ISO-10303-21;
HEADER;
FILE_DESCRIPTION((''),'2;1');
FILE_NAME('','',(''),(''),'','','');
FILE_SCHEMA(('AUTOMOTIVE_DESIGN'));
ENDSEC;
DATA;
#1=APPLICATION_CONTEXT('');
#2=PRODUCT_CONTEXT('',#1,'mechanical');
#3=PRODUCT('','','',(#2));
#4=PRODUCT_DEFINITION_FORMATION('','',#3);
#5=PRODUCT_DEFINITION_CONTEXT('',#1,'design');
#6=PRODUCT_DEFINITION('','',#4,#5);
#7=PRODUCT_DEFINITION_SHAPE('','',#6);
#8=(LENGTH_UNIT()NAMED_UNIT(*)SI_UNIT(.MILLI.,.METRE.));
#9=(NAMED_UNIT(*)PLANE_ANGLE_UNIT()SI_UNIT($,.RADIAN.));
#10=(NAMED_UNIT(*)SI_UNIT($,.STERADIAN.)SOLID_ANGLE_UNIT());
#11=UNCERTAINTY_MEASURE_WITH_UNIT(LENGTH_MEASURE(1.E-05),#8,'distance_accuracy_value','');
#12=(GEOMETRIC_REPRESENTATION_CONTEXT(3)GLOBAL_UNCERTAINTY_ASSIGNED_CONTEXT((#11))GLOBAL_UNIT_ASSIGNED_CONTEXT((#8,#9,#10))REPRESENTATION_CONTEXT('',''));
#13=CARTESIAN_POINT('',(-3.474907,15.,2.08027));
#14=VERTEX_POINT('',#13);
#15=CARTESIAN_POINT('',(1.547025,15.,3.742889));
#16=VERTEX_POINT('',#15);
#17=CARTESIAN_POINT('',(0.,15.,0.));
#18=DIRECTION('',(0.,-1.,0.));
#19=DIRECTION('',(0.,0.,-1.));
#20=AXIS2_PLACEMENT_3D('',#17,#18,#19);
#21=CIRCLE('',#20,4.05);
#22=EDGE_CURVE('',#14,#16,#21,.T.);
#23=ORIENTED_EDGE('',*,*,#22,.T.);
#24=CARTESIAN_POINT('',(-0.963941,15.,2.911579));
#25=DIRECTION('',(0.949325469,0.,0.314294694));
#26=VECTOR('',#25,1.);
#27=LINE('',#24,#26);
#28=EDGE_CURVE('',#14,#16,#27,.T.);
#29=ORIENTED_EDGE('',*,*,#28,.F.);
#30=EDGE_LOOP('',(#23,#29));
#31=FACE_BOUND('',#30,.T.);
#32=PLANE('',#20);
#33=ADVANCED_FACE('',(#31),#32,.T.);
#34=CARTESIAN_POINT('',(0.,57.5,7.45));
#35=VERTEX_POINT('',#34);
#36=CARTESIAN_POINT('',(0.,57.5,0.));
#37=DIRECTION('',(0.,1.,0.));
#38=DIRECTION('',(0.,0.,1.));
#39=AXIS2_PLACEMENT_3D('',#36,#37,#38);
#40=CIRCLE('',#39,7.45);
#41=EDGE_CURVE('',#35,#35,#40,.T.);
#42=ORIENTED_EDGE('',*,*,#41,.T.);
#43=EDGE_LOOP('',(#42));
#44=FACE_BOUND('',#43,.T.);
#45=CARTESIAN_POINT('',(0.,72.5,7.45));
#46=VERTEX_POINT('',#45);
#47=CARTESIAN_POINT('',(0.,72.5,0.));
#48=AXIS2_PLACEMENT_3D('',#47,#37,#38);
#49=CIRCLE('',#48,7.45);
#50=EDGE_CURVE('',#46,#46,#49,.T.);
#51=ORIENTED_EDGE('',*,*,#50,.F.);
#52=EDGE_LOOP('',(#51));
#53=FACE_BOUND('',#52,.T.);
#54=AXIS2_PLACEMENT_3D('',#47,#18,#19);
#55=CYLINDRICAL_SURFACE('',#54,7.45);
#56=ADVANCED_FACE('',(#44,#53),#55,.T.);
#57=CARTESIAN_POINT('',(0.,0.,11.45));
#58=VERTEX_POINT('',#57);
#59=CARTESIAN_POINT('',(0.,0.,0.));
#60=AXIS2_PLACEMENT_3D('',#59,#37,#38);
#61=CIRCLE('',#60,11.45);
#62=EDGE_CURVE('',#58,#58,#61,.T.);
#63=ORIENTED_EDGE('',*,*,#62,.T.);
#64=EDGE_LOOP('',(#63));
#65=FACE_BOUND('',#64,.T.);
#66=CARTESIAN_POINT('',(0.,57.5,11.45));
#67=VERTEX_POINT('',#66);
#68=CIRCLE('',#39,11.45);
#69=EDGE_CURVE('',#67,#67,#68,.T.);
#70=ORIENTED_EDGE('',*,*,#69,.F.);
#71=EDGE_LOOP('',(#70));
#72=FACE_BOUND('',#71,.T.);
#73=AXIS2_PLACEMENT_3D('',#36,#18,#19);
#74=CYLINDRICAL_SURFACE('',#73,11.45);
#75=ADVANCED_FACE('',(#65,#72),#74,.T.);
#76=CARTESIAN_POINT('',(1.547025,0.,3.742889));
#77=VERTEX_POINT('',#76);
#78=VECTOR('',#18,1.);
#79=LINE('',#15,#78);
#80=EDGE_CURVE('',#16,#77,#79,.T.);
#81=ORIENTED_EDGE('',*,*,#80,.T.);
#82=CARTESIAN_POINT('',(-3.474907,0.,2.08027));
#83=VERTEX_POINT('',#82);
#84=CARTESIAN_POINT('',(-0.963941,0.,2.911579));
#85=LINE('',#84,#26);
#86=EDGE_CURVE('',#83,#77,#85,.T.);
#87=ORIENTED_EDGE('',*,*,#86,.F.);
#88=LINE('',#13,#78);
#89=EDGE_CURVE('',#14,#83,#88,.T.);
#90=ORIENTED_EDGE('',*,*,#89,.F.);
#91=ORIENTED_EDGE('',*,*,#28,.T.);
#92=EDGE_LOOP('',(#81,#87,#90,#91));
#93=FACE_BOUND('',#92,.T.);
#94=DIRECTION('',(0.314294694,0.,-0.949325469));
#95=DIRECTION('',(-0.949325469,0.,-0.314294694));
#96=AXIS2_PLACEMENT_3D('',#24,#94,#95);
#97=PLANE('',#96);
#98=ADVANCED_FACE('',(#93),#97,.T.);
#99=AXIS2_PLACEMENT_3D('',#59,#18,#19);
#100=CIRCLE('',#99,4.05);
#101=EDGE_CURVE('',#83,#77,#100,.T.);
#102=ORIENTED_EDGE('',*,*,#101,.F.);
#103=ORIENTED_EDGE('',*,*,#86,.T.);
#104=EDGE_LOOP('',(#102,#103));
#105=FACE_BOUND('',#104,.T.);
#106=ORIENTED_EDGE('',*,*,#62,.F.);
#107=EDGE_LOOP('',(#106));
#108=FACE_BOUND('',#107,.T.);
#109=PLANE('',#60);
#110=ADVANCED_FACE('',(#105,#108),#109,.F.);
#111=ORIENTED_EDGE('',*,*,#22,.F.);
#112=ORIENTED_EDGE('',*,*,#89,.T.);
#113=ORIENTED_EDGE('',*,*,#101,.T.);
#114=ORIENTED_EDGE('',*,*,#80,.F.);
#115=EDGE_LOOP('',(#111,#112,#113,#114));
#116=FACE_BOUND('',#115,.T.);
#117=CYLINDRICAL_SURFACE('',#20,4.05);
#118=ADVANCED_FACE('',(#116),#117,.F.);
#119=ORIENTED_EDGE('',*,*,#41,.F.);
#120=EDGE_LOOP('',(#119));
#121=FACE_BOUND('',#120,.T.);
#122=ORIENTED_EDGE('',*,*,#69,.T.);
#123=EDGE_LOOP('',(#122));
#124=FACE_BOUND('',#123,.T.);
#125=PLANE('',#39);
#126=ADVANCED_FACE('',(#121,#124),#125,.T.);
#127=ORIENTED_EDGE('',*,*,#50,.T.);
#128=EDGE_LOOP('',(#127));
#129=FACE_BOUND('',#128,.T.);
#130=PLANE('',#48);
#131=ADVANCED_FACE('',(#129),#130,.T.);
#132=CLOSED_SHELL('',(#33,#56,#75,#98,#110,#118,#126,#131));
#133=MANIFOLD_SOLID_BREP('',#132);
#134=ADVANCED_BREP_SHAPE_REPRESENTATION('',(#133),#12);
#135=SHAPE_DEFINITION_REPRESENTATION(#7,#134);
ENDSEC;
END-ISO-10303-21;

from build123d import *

# Parameters (mm, degrees)
SKETCH1_R           = 11.45
BOSS_EXTRUDE1_DEPTH = 57.5
SKETCH2_R           = 7.45
BOSS_EXTRUDE2_DEPTH = 15
CUT_EXTRUDE1_DEPTH  = 15


with BuildPart() as part:
    # Sketch1 → Boss-Extrude1 (new body)
    with BuildSketch(Plane(origin=(0, 0, 0), x_dir=(1, 0, 0), z_dir=(0, 1, 0))):
        with Locations(Location((0, 0, 0), (0, 0, 270))):
            Circle(SKETCH1_R)
    extrude(amount=BOSS_EXTRUDE1_DEPTH)

    # Sketch2 → Boss-Extrude2 (add)
    with BuildSketch(Plane(origin=(0, 57.5, 0), x_dir=(1, 0, 0), z_dir=(0, 1, 0))):
        with Locations(Location((0, 0, 0), (0, 0, 270))):
            Circle(SKETCH2_R)
    extrude(amount=BOSS_EXTRUDE2_DEPTH)

    # Sketch3 → Cut-Extrude1 (cut)
    with BuildSketch(Plane.XZ):
        with BuildLine():
            Line((1.547024754, 3.742888511), (-3.474906974, 2.080269579))
            ThreePointArc((-3.474906974, 2.080269579), (-1.079149377, -3.903579975), (4.05, 0))
            ThreePointArc((4.05, 0), (3.366596965, 2.251338462), (1.547024754, 3.742888511))
        make_face()
    extrude(amount=-CUT_EXTRUDE1_DEPTH, mode=Mode.SUBTRACT)


solid = part.part
